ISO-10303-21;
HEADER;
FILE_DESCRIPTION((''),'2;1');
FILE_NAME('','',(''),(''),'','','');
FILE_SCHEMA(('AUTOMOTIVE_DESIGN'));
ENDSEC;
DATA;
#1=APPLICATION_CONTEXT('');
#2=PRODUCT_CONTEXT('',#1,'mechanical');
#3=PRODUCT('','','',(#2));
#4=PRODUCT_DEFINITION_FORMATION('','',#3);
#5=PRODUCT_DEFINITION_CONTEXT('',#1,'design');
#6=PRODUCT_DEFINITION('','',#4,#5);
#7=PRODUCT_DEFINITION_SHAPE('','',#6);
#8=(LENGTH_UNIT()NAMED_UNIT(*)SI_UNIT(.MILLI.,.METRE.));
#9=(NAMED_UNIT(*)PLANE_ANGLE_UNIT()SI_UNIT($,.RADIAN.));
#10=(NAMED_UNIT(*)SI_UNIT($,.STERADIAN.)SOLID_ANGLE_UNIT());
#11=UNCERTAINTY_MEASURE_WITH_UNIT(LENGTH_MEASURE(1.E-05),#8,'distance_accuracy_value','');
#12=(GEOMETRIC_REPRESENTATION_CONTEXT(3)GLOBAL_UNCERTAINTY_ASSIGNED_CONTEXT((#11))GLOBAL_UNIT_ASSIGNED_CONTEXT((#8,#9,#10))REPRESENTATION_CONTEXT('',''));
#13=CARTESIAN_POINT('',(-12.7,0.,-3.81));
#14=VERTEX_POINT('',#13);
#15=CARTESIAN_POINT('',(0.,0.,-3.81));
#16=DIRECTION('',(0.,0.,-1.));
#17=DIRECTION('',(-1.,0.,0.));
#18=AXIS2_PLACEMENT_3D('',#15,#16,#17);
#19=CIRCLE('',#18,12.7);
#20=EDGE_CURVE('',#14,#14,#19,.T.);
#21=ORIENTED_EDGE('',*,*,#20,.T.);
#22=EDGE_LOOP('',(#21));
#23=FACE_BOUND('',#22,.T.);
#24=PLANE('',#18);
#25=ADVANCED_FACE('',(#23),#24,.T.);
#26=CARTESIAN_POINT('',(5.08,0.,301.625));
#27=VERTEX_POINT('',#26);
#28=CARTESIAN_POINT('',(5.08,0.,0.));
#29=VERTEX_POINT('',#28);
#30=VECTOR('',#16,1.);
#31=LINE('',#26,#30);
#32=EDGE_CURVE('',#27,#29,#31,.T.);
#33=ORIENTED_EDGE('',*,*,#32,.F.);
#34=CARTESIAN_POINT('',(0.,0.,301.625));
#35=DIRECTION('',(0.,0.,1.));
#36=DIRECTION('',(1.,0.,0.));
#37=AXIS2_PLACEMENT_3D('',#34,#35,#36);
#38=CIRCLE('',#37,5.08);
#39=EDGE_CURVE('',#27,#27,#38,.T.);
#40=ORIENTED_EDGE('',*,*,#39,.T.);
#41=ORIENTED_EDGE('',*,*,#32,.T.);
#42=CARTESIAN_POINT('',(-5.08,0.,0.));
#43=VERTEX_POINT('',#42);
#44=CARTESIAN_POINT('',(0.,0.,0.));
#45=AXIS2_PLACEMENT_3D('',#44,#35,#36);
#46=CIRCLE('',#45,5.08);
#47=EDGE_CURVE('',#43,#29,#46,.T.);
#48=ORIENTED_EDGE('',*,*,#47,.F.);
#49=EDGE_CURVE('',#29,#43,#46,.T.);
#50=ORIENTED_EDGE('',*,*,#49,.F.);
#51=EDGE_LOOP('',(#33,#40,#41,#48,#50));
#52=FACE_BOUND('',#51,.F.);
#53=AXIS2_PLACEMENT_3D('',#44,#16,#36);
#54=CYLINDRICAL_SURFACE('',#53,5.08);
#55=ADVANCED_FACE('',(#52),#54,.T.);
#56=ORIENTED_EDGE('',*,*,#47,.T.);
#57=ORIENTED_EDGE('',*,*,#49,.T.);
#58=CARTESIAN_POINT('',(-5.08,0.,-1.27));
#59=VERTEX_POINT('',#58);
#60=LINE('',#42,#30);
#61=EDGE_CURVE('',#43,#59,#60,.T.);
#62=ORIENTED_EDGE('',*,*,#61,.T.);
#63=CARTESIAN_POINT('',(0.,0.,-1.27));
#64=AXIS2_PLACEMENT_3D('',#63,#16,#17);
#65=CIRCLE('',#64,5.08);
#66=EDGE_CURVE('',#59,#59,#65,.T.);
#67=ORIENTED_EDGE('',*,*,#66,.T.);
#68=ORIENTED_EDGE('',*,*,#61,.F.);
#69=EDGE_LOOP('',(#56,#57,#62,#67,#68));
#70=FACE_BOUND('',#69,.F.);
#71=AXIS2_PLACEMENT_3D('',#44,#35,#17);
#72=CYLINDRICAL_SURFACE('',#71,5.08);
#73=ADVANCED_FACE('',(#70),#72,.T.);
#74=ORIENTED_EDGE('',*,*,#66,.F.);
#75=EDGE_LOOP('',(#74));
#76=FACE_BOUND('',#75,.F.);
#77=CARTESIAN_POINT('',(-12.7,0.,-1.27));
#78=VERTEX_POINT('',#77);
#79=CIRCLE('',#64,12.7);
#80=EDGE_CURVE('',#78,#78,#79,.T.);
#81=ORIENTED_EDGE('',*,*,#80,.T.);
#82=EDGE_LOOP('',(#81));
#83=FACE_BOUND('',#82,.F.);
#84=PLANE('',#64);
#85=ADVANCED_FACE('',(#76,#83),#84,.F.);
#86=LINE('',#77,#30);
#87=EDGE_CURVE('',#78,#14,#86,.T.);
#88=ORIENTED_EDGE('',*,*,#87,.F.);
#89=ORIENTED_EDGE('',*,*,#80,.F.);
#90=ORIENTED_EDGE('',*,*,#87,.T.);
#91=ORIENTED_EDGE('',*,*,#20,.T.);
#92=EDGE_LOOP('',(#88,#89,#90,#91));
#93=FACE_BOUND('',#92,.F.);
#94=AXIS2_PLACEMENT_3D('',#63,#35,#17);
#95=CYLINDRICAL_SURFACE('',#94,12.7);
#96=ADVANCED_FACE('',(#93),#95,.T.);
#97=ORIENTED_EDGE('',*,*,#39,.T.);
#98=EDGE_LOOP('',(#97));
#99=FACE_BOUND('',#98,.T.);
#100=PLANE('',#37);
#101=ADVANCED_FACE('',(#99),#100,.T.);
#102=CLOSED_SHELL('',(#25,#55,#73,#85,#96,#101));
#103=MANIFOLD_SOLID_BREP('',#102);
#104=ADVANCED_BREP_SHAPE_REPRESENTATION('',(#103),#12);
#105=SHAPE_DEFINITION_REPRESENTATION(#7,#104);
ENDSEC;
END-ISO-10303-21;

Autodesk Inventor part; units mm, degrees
ref_plane "YZ Plane" through (0, 0, 0) normal (1, 0, 0) x (0, 1, 0)
ref_plane "XZ Plane" through (0, 0, 0) normal (0, 1, 0) x (-1, 0, 0)
ref_plane "XY Plane" through (0, 0, 0) normal (0, 0, 1) x (1, 0, 0)
sketch "Sketch1" plane through (0, 0, 0) normal (0, 0, 1) x (1, 0, 0)
  circle A0 centre (0, 0) radius 5.08
  dimension "d0" = 10.16
extrude "Extrusion1" add sketch "Sketch1" along normal blind 298.45
sketch "Sketch2" plane through (0, 0, 298.45) normal (0, 0, 1) x (1, 0, 0)
  circle A0 centre (0, 0) radius 5.08
extrude "Extrusion2" add sketch "Sketch2" along normal blind 3.175
sketch "Sketch3" plane through (0, 0, 0) normal (0, 0, -1) x (-1, 0, 0)
  circle A0 centre (0, 0) radius 5.08
extrude "Extrusion3" add sketch "Sketch3" along normal blind 1.27
sketch "Sketch4" plane through (0, 0, -1.27) normal (0, 0, -1) x (-1, 0, 0)
  circle A0 centre (0, 0) radius 12.7
  dimension "d7" = 25.4
extrude "Extrusion4" add sketch "Sketch4" along normal blind 2.54
properties part number "MotorMount"
